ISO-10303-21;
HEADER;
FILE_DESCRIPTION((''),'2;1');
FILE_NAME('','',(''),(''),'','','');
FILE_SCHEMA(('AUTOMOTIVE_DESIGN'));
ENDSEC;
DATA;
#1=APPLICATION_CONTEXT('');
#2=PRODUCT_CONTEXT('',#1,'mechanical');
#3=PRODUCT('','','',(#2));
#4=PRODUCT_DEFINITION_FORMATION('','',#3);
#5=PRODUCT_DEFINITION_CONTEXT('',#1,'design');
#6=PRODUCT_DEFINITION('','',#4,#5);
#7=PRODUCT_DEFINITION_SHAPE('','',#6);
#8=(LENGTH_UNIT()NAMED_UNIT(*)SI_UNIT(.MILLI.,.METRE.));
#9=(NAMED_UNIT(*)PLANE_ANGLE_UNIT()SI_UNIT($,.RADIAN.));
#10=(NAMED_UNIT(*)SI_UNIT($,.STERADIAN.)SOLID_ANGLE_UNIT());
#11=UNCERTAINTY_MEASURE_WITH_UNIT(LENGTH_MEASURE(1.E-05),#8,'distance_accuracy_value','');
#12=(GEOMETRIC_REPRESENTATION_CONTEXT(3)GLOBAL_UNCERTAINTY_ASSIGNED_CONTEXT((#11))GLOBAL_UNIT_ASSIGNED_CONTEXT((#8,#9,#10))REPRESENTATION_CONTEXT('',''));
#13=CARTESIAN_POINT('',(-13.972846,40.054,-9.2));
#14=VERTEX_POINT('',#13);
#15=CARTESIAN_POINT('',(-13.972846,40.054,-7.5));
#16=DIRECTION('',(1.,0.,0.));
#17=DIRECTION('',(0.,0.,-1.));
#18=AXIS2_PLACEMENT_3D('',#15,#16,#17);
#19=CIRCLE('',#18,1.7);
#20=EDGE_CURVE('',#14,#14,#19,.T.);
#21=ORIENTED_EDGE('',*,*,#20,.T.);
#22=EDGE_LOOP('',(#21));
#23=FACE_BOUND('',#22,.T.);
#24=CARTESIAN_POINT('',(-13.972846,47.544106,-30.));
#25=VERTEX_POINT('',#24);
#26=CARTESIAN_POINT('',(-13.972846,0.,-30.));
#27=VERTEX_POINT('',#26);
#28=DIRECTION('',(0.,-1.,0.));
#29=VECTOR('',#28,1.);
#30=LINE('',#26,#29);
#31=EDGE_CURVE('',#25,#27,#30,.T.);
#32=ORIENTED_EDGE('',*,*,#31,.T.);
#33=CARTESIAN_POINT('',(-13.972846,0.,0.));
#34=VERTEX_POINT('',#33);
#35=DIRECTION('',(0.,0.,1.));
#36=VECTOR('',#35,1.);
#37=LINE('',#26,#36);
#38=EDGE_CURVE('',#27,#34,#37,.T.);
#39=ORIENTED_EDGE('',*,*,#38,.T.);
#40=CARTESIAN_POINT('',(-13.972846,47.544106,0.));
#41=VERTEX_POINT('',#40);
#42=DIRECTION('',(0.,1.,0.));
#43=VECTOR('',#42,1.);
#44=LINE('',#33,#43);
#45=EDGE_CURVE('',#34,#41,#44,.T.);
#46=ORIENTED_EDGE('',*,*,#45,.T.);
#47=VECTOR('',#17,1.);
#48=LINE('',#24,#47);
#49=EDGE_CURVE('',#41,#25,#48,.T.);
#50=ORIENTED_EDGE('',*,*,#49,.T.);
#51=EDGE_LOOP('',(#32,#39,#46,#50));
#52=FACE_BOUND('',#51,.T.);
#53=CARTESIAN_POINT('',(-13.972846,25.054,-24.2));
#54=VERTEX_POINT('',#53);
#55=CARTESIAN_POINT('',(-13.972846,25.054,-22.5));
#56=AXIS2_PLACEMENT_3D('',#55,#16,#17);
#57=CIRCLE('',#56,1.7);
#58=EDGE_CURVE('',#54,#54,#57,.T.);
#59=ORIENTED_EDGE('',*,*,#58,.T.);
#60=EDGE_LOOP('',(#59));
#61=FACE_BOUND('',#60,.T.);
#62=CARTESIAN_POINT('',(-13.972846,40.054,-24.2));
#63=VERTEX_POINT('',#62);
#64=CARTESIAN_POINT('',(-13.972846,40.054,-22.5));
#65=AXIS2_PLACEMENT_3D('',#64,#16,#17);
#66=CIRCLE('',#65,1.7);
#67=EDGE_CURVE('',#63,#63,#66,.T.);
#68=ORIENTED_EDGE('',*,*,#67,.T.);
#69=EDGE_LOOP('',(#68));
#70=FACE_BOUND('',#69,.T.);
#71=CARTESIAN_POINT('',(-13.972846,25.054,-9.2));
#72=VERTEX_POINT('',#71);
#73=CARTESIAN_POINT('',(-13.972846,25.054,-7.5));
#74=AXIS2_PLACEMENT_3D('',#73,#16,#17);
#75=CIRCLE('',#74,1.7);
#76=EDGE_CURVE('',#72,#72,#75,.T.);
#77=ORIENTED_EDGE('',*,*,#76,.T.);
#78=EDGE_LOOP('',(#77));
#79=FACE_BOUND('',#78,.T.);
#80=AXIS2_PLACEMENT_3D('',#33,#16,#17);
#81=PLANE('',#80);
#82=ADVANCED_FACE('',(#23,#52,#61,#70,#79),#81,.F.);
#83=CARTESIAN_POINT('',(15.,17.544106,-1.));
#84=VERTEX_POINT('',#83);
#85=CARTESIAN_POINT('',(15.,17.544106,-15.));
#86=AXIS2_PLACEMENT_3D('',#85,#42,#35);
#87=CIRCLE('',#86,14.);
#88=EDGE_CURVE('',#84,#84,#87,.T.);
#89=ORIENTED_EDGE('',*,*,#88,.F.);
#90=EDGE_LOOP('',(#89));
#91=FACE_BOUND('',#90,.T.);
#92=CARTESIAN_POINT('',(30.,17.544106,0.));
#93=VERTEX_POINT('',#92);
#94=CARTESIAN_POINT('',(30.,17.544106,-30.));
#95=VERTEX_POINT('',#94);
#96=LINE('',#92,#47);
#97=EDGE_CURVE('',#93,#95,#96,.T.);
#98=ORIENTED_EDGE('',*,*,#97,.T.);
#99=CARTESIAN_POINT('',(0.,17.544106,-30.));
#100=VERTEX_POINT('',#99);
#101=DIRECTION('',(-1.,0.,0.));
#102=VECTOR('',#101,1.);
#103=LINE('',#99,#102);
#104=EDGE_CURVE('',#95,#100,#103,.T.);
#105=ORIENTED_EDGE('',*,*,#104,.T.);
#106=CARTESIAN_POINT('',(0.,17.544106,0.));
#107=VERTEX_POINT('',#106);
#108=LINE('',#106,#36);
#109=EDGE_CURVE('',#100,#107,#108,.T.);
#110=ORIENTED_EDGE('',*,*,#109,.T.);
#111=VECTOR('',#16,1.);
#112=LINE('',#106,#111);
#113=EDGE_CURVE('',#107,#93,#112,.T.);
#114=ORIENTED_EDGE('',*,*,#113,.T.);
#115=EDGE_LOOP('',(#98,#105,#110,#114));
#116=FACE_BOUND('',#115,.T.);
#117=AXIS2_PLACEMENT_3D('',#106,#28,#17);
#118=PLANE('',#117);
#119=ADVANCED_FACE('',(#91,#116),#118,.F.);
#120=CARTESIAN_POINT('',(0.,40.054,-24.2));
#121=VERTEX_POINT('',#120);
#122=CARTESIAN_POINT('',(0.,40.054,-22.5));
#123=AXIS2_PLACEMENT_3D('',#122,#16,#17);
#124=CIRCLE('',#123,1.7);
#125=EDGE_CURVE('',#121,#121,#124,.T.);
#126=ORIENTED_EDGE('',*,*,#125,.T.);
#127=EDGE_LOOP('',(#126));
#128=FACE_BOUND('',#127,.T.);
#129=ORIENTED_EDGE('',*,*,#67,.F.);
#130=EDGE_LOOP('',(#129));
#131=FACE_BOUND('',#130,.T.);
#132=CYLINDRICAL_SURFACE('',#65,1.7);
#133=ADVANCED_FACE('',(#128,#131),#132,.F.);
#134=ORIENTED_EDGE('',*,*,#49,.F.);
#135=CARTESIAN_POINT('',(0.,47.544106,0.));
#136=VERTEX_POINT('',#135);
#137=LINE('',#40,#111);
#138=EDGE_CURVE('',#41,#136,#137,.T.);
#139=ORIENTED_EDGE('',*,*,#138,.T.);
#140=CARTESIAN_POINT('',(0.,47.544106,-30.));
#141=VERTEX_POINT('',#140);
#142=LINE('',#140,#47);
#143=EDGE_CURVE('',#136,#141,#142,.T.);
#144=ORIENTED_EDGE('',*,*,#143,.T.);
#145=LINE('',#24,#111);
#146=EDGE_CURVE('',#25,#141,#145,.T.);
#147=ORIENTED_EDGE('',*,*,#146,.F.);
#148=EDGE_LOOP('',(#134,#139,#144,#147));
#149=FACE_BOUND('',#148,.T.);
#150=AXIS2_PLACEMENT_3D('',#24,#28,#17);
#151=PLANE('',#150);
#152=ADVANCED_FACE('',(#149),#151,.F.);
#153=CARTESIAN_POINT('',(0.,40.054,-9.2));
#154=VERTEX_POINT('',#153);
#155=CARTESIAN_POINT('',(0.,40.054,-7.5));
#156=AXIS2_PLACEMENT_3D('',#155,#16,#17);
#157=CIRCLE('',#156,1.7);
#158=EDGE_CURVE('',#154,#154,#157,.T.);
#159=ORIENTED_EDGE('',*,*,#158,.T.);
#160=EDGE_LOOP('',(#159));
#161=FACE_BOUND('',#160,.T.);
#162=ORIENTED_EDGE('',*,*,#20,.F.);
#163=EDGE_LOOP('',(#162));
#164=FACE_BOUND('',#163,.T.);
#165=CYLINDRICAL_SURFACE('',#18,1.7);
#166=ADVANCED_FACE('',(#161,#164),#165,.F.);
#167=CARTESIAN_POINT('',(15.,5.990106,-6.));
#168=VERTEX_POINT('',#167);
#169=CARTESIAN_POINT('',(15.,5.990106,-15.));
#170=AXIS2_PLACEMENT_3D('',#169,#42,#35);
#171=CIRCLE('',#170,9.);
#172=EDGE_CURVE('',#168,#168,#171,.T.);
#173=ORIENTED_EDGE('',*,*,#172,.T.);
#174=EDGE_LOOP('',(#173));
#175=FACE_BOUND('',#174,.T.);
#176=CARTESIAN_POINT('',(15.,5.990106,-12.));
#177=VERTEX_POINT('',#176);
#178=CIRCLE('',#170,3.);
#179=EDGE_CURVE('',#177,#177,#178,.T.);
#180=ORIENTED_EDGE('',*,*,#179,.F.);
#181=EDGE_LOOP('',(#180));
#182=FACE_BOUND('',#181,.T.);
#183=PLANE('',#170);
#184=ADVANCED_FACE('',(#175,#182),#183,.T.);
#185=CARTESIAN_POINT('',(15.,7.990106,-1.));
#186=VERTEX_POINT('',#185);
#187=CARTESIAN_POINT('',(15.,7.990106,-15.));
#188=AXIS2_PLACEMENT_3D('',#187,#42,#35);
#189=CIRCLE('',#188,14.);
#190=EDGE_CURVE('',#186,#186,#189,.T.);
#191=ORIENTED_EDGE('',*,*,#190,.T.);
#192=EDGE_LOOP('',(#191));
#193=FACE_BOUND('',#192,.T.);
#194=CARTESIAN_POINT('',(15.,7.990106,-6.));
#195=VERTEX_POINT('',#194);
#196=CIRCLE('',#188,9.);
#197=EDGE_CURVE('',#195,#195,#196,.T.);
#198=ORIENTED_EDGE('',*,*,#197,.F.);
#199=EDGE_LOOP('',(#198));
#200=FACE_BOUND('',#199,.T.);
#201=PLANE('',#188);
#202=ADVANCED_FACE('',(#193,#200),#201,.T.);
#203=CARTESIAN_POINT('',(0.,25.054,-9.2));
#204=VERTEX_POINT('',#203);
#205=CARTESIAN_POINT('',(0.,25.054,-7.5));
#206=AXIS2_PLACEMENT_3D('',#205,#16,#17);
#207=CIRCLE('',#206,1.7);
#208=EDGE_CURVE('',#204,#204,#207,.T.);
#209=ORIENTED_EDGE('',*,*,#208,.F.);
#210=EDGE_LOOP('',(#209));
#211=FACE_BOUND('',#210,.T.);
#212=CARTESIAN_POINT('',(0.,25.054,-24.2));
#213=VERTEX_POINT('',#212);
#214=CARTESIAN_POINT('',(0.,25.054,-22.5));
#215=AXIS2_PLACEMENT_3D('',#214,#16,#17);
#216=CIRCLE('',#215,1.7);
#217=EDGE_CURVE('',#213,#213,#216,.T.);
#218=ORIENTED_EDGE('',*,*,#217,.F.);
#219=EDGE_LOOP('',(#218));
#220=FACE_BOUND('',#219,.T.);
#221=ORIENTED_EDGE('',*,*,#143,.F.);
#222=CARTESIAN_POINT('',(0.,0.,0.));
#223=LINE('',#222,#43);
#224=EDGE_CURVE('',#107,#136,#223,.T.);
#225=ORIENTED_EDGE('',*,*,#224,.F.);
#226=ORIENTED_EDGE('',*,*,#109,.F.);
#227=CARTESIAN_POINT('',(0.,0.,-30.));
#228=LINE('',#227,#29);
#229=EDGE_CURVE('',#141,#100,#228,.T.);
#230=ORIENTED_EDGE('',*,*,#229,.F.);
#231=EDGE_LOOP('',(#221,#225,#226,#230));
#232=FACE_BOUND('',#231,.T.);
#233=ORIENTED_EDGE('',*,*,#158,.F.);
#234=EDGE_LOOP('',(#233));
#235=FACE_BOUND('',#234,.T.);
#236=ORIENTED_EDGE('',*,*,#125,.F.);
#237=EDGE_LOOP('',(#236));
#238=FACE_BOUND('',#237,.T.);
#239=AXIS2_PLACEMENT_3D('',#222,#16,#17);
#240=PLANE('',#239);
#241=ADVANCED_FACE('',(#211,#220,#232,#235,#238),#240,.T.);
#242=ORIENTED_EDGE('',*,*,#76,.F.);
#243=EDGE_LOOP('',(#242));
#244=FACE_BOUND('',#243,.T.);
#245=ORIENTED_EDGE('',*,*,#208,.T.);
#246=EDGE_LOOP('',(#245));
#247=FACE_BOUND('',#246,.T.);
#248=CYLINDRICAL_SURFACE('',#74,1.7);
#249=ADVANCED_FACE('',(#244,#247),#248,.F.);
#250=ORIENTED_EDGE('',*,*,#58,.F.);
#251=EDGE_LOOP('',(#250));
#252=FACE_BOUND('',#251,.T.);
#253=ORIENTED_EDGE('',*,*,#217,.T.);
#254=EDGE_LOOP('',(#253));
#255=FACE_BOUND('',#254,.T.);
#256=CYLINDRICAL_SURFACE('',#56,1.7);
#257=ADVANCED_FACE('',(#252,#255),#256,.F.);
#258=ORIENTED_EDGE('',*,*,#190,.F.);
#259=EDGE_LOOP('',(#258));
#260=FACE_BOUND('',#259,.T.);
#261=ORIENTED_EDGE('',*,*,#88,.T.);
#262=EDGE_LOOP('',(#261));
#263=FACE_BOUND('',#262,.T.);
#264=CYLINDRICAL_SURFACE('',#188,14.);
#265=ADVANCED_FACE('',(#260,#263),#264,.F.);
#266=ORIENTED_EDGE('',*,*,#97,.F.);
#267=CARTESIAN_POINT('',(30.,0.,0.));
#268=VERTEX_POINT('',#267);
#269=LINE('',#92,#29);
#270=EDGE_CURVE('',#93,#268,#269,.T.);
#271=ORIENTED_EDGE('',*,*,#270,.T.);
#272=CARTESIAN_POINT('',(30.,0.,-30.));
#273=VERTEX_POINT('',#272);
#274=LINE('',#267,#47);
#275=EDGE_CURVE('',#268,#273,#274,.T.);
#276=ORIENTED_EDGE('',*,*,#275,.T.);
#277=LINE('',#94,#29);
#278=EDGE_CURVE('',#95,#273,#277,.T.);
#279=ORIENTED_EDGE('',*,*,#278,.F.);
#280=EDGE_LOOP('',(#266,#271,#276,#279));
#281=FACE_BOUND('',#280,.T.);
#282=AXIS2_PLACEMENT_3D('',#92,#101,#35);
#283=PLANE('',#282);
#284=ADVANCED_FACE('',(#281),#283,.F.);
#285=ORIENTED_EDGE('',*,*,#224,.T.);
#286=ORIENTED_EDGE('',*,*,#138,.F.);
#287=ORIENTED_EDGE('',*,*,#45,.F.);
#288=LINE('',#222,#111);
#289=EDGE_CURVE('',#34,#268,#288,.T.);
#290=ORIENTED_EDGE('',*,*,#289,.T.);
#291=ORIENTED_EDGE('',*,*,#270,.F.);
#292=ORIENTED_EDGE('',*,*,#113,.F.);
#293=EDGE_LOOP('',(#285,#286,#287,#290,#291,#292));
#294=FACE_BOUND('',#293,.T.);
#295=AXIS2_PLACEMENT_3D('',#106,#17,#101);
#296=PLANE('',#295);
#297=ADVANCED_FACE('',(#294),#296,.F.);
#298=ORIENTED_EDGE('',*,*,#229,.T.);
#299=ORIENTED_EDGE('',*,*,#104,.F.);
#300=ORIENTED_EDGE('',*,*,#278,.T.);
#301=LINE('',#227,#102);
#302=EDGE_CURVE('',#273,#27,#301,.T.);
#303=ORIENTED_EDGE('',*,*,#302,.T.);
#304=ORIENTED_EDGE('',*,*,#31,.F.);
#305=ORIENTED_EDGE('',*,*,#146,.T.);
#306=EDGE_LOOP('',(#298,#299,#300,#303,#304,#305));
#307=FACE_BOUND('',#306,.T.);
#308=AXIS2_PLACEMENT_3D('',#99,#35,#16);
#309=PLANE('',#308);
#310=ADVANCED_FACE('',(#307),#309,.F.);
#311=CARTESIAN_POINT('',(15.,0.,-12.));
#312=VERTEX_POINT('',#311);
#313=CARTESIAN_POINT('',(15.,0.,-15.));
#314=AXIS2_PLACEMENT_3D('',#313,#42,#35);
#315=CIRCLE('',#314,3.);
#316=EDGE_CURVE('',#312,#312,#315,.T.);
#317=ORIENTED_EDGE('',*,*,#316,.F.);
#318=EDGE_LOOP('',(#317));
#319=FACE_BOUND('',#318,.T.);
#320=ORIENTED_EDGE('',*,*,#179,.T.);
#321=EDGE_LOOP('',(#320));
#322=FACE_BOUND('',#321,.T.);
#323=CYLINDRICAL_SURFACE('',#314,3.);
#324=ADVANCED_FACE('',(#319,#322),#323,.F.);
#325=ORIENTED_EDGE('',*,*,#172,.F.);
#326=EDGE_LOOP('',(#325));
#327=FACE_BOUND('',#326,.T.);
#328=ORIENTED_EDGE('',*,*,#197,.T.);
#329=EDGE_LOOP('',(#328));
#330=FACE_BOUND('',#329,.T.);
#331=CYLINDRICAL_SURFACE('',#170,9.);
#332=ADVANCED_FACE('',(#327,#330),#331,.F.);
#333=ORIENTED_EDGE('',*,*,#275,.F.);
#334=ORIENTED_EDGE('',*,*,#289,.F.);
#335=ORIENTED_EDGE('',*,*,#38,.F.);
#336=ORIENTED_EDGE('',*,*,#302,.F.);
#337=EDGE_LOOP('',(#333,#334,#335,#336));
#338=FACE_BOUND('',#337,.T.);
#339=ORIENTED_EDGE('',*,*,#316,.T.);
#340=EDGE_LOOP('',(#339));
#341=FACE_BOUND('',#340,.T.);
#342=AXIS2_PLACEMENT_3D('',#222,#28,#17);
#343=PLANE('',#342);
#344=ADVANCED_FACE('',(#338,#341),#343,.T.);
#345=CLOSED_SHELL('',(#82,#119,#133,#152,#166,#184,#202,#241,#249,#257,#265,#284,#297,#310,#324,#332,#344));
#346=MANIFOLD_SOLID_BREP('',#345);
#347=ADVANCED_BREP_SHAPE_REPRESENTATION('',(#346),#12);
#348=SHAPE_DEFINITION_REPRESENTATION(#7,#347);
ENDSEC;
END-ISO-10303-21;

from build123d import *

# Parameters (mm, degrees)
SKETCH3_W           = 30
SKETCH3_H           = 30
BOSS_EXTRUDE2_DEPTH = 17.544106429
SKETCH8_R           = 14
CUT_EXTRUDE1_DEPTH  = 9.554
SKETCH9_R           = 9
CUT_EXTRUDE2_DEPTH  = 2
SKETCH10_R          = 3
CUT_EXTRUDE3_DEPTH  = 44.971523922
SKETCH13_W          = 30
SKETCH13_H          = 47.544106429
BOSS_EXTRUDE3_DEPTH = 13.972846029
SKETCH14_R          = 1.7
CUT_EXTRUDE4_DEPTH  = 64.721598035


with BuildPart() as part:
    # Sketch3 → Boss-Extrude2 (new body)
    with BuildSketch(Plane(origin=(0, 0, 0), x_dir=(1, 0, 0), z_dir=(0, 1, 0))):
        with Locations((15, 15)):
            Rectangle(SKETCH3_W, SKETCH3_H)
    extrude(amount=BOSS_EXTRUDE2_DEPTH)

    # Sketch8 → Cut-Extrude1 (cut)
    with BuildSketch(Plane(origin=(0, 17.544106429, 0), x_dir=(1, 0, 0), z_dir=(0, 1, 0))):
        with Locations(Location((15, 15, 0), (0, 0, 270))):
            Circle(SKETCH8_R)
    extrude(amount=-CUT_EXTRUDE1_DEPTH, mode=Mode.SUBTRACT)

    # Sketch9 → Cut-Extrude2 (cut)
    with BuildSketch(Plane(origin=(0, 7.990106429, 0), x_dir=(1, 0, 0), z_dir=(0, 1, 0))):
        with Locations(Location((15, 15, 0), (0, 0, 270))):
            Circle(SKETCH9_R)
    extrude(amount=-CUT_EXTRUDE2_DEPTH, mode=Mode.SUBTRACT)

    # Sketch10 → Cut-Extrude3 (cut, through all)
    with BuildSketch(Plane(origin=(0, 5.990106429, 0), x_dir=(1, 0, 0), z_dir=(0, 1, 0))):
        with Locations(Location((15, 15, 0), (0, 0, 270))):
            Circle(SKETCH10_R)
    extrude(amount=-CUT_EXTRUDE3_DEPTH, mode=Mode.SUBTRACT)

    # Sketch13 → Boss-Extrude3 (add)
    with BuildSketch(Plane.ZY):
        with Locations((-15, 23.772053215)):
            Rectangle(SKETCH13_W, SKETCH13_H)
    extrude(amount=BOSS_EXTRUDE3_DEPTH)

    # Sketch14 → Cut-Extrude4 (cut, through all)
    with BuildSketch(Plane(origin=(0, 0, 0), x_dir=(0, 0, -1), z_dir=(1, 0, 0))):
        with Locations((7.5, 25.054)):
            Circle(SKETCH14_R)
        with Locations((7.5, 40.054)):
            Circle(SKETCH14_R)
        with Locations((22.5, 25.054)):
            Circle(SKETCH14_R)
        with Locations((22.5, 40.054)):
            Circle(SKETCH14_R)
    extrude(amount=-CUT_EXTRUDE4_DEPTH, mode=Mode.SUBTRACT)


solid = part.part
